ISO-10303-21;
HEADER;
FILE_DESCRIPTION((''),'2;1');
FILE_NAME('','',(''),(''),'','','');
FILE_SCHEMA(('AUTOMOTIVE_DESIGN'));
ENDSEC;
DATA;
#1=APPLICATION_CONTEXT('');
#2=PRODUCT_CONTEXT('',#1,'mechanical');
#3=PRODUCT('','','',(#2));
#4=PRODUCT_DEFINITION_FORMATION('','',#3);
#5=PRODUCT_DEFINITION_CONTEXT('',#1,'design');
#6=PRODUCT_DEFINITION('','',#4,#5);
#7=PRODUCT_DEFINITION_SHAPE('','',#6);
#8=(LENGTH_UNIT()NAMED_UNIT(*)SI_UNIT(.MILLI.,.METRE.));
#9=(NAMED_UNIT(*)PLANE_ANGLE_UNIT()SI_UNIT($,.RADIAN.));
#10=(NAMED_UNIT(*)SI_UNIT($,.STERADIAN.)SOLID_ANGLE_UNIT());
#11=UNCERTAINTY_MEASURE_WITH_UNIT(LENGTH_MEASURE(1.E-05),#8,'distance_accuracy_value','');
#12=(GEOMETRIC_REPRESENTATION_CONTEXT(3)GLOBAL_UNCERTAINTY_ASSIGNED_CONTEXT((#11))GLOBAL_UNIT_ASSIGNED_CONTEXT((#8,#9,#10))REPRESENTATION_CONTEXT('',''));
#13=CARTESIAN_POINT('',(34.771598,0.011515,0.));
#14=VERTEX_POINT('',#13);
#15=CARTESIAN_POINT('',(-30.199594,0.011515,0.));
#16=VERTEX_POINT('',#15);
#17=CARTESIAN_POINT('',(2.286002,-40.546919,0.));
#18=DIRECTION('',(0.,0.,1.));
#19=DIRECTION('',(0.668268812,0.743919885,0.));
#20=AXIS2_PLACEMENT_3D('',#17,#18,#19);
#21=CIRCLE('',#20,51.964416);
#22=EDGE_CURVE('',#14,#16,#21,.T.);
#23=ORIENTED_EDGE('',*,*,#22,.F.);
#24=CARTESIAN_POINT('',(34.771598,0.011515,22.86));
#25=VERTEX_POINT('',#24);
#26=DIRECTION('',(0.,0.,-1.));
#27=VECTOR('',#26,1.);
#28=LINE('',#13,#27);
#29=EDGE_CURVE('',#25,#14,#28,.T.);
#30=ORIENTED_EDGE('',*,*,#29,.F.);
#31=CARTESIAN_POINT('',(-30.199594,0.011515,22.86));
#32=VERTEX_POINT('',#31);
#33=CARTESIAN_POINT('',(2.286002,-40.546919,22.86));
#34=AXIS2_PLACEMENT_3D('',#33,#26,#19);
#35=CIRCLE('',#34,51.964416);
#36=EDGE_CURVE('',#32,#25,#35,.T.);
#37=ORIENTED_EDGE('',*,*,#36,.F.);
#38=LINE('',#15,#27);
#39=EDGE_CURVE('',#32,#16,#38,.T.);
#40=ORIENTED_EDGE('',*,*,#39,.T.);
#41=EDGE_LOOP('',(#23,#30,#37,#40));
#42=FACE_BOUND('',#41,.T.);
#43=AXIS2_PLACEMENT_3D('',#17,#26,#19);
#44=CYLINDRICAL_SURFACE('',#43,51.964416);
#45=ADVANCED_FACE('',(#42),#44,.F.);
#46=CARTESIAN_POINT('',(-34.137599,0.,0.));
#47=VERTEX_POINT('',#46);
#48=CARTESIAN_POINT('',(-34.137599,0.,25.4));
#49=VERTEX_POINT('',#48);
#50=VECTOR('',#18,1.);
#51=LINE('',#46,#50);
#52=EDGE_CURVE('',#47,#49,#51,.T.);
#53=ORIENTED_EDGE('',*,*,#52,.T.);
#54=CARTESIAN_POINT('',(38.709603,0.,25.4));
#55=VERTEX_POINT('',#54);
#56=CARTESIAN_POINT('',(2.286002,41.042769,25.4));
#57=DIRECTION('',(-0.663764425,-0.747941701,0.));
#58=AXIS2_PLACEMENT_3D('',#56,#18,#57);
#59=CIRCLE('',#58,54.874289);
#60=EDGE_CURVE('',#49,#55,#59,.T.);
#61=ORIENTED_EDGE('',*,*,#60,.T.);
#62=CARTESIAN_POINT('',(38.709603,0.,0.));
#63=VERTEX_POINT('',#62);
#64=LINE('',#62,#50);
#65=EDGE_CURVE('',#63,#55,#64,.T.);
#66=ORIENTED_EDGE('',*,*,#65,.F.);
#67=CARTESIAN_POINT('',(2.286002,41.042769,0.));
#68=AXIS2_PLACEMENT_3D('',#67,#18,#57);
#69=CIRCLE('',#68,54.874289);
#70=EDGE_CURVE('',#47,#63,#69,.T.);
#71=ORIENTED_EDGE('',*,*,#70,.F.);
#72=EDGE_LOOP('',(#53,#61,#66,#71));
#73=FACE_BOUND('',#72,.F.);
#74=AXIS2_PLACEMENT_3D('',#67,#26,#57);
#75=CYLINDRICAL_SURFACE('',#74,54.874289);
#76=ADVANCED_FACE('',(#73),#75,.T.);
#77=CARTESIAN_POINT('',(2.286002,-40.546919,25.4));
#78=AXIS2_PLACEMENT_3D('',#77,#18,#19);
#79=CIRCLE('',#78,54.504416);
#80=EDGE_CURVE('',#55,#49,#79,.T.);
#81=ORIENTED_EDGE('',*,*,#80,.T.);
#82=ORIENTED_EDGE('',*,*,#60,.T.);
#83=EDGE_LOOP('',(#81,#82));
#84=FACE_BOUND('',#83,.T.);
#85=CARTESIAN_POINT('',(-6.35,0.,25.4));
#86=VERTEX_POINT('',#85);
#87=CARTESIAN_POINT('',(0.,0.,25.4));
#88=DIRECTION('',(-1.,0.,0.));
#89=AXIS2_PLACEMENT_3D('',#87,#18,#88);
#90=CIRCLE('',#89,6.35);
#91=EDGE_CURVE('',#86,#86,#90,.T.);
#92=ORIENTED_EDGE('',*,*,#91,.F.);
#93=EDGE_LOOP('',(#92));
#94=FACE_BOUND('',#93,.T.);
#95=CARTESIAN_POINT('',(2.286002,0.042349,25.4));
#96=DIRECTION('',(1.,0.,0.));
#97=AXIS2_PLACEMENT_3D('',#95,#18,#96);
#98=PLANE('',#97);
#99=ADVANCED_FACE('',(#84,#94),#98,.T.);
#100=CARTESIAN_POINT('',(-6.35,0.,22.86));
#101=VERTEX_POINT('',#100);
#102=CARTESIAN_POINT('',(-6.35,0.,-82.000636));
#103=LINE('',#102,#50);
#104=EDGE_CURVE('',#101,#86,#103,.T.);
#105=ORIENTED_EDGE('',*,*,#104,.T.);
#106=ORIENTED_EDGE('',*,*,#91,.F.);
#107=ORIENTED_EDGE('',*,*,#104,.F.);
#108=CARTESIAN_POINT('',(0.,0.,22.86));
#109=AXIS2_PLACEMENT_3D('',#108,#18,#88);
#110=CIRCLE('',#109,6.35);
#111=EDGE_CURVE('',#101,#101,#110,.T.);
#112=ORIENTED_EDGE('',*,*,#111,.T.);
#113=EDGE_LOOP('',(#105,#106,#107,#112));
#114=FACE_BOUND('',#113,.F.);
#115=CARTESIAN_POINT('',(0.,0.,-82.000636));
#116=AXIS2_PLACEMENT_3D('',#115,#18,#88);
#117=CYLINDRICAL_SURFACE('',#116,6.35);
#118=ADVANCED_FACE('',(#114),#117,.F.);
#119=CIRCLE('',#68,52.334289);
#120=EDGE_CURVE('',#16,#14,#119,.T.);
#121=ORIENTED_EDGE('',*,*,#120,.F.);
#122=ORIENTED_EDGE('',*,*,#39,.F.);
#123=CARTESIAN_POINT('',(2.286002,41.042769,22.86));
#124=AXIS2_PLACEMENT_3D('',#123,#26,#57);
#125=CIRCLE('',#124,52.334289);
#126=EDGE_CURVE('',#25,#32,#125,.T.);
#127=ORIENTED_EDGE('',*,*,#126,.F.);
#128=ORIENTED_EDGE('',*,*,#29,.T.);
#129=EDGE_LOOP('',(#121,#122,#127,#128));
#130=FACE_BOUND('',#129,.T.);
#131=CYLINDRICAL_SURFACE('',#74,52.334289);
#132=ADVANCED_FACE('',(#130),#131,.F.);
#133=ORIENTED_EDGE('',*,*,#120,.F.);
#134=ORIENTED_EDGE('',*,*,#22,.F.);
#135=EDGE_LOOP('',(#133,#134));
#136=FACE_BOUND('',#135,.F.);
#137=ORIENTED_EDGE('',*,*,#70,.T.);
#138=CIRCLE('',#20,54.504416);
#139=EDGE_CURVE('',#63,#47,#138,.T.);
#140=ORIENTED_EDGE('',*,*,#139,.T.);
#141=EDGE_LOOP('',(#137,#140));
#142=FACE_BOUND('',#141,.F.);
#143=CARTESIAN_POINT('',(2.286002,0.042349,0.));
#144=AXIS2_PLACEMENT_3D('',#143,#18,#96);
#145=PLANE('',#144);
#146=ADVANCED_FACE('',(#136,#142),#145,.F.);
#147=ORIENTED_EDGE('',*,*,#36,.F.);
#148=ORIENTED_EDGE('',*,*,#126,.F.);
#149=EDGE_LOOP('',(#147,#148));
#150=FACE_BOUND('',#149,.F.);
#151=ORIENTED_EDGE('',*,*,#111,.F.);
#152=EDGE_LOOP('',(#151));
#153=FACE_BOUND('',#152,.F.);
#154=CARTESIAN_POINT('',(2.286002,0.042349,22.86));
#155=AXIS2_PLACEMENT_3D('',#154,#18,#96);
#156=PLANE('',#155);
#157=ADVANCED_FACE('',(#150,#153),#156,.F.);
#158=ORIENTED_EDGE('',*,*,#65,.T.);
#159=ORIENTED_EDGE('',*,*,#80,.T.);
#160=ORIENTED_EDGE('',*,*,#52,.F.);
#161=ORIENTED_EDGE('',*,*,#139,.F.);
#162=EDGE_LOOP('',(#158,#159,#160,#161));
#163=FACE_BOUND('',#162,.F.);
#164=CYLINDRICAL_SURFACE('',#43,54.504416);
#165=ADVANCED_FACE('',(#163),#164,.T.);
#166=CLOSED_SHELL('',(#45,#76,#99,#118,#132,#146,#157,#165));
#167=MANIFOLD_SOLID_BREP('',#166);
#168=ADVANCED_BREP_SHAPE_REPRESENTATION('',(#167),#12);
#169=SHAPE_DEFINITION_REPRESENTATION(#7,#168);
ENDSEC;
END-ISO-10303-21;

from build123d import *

# Parameters (mm, degrees)
F1_DEPTH = 25.4
F2_T     = -2.54
F4_D     = 12.7


with BuildPart() as f1:
    # F0 (on Top) → F1 (new body)
    with BuildSketch(Plane.XY):
        with BuildLine():
            ThreePointArc((-34.137599, 0), (2.286002, -13.83152), (38.709603, 0))
            ThreePointArc((38.709603, 0), (2.286002, 13.957497), (-34.137599, 0))
        make_face()
    extrude(amount=F1_DEPTH)

    # F2
    f2_openings = [f1.faces().sort_by_distance(p)[0] for p in [
        (2.286002, 0.052928, 0),
    ]]
    offset(amount=F2_T, openings=f2_openings)

    # F4 (through all)
    with Locations(Plane(origin=(0, 0, 0), x_dir=(1, 0, 0), z_dir=(0, 0, -1))):
        with Locations((0, 0)):
            Hole(F4_D / 2)


solid = f1.part
